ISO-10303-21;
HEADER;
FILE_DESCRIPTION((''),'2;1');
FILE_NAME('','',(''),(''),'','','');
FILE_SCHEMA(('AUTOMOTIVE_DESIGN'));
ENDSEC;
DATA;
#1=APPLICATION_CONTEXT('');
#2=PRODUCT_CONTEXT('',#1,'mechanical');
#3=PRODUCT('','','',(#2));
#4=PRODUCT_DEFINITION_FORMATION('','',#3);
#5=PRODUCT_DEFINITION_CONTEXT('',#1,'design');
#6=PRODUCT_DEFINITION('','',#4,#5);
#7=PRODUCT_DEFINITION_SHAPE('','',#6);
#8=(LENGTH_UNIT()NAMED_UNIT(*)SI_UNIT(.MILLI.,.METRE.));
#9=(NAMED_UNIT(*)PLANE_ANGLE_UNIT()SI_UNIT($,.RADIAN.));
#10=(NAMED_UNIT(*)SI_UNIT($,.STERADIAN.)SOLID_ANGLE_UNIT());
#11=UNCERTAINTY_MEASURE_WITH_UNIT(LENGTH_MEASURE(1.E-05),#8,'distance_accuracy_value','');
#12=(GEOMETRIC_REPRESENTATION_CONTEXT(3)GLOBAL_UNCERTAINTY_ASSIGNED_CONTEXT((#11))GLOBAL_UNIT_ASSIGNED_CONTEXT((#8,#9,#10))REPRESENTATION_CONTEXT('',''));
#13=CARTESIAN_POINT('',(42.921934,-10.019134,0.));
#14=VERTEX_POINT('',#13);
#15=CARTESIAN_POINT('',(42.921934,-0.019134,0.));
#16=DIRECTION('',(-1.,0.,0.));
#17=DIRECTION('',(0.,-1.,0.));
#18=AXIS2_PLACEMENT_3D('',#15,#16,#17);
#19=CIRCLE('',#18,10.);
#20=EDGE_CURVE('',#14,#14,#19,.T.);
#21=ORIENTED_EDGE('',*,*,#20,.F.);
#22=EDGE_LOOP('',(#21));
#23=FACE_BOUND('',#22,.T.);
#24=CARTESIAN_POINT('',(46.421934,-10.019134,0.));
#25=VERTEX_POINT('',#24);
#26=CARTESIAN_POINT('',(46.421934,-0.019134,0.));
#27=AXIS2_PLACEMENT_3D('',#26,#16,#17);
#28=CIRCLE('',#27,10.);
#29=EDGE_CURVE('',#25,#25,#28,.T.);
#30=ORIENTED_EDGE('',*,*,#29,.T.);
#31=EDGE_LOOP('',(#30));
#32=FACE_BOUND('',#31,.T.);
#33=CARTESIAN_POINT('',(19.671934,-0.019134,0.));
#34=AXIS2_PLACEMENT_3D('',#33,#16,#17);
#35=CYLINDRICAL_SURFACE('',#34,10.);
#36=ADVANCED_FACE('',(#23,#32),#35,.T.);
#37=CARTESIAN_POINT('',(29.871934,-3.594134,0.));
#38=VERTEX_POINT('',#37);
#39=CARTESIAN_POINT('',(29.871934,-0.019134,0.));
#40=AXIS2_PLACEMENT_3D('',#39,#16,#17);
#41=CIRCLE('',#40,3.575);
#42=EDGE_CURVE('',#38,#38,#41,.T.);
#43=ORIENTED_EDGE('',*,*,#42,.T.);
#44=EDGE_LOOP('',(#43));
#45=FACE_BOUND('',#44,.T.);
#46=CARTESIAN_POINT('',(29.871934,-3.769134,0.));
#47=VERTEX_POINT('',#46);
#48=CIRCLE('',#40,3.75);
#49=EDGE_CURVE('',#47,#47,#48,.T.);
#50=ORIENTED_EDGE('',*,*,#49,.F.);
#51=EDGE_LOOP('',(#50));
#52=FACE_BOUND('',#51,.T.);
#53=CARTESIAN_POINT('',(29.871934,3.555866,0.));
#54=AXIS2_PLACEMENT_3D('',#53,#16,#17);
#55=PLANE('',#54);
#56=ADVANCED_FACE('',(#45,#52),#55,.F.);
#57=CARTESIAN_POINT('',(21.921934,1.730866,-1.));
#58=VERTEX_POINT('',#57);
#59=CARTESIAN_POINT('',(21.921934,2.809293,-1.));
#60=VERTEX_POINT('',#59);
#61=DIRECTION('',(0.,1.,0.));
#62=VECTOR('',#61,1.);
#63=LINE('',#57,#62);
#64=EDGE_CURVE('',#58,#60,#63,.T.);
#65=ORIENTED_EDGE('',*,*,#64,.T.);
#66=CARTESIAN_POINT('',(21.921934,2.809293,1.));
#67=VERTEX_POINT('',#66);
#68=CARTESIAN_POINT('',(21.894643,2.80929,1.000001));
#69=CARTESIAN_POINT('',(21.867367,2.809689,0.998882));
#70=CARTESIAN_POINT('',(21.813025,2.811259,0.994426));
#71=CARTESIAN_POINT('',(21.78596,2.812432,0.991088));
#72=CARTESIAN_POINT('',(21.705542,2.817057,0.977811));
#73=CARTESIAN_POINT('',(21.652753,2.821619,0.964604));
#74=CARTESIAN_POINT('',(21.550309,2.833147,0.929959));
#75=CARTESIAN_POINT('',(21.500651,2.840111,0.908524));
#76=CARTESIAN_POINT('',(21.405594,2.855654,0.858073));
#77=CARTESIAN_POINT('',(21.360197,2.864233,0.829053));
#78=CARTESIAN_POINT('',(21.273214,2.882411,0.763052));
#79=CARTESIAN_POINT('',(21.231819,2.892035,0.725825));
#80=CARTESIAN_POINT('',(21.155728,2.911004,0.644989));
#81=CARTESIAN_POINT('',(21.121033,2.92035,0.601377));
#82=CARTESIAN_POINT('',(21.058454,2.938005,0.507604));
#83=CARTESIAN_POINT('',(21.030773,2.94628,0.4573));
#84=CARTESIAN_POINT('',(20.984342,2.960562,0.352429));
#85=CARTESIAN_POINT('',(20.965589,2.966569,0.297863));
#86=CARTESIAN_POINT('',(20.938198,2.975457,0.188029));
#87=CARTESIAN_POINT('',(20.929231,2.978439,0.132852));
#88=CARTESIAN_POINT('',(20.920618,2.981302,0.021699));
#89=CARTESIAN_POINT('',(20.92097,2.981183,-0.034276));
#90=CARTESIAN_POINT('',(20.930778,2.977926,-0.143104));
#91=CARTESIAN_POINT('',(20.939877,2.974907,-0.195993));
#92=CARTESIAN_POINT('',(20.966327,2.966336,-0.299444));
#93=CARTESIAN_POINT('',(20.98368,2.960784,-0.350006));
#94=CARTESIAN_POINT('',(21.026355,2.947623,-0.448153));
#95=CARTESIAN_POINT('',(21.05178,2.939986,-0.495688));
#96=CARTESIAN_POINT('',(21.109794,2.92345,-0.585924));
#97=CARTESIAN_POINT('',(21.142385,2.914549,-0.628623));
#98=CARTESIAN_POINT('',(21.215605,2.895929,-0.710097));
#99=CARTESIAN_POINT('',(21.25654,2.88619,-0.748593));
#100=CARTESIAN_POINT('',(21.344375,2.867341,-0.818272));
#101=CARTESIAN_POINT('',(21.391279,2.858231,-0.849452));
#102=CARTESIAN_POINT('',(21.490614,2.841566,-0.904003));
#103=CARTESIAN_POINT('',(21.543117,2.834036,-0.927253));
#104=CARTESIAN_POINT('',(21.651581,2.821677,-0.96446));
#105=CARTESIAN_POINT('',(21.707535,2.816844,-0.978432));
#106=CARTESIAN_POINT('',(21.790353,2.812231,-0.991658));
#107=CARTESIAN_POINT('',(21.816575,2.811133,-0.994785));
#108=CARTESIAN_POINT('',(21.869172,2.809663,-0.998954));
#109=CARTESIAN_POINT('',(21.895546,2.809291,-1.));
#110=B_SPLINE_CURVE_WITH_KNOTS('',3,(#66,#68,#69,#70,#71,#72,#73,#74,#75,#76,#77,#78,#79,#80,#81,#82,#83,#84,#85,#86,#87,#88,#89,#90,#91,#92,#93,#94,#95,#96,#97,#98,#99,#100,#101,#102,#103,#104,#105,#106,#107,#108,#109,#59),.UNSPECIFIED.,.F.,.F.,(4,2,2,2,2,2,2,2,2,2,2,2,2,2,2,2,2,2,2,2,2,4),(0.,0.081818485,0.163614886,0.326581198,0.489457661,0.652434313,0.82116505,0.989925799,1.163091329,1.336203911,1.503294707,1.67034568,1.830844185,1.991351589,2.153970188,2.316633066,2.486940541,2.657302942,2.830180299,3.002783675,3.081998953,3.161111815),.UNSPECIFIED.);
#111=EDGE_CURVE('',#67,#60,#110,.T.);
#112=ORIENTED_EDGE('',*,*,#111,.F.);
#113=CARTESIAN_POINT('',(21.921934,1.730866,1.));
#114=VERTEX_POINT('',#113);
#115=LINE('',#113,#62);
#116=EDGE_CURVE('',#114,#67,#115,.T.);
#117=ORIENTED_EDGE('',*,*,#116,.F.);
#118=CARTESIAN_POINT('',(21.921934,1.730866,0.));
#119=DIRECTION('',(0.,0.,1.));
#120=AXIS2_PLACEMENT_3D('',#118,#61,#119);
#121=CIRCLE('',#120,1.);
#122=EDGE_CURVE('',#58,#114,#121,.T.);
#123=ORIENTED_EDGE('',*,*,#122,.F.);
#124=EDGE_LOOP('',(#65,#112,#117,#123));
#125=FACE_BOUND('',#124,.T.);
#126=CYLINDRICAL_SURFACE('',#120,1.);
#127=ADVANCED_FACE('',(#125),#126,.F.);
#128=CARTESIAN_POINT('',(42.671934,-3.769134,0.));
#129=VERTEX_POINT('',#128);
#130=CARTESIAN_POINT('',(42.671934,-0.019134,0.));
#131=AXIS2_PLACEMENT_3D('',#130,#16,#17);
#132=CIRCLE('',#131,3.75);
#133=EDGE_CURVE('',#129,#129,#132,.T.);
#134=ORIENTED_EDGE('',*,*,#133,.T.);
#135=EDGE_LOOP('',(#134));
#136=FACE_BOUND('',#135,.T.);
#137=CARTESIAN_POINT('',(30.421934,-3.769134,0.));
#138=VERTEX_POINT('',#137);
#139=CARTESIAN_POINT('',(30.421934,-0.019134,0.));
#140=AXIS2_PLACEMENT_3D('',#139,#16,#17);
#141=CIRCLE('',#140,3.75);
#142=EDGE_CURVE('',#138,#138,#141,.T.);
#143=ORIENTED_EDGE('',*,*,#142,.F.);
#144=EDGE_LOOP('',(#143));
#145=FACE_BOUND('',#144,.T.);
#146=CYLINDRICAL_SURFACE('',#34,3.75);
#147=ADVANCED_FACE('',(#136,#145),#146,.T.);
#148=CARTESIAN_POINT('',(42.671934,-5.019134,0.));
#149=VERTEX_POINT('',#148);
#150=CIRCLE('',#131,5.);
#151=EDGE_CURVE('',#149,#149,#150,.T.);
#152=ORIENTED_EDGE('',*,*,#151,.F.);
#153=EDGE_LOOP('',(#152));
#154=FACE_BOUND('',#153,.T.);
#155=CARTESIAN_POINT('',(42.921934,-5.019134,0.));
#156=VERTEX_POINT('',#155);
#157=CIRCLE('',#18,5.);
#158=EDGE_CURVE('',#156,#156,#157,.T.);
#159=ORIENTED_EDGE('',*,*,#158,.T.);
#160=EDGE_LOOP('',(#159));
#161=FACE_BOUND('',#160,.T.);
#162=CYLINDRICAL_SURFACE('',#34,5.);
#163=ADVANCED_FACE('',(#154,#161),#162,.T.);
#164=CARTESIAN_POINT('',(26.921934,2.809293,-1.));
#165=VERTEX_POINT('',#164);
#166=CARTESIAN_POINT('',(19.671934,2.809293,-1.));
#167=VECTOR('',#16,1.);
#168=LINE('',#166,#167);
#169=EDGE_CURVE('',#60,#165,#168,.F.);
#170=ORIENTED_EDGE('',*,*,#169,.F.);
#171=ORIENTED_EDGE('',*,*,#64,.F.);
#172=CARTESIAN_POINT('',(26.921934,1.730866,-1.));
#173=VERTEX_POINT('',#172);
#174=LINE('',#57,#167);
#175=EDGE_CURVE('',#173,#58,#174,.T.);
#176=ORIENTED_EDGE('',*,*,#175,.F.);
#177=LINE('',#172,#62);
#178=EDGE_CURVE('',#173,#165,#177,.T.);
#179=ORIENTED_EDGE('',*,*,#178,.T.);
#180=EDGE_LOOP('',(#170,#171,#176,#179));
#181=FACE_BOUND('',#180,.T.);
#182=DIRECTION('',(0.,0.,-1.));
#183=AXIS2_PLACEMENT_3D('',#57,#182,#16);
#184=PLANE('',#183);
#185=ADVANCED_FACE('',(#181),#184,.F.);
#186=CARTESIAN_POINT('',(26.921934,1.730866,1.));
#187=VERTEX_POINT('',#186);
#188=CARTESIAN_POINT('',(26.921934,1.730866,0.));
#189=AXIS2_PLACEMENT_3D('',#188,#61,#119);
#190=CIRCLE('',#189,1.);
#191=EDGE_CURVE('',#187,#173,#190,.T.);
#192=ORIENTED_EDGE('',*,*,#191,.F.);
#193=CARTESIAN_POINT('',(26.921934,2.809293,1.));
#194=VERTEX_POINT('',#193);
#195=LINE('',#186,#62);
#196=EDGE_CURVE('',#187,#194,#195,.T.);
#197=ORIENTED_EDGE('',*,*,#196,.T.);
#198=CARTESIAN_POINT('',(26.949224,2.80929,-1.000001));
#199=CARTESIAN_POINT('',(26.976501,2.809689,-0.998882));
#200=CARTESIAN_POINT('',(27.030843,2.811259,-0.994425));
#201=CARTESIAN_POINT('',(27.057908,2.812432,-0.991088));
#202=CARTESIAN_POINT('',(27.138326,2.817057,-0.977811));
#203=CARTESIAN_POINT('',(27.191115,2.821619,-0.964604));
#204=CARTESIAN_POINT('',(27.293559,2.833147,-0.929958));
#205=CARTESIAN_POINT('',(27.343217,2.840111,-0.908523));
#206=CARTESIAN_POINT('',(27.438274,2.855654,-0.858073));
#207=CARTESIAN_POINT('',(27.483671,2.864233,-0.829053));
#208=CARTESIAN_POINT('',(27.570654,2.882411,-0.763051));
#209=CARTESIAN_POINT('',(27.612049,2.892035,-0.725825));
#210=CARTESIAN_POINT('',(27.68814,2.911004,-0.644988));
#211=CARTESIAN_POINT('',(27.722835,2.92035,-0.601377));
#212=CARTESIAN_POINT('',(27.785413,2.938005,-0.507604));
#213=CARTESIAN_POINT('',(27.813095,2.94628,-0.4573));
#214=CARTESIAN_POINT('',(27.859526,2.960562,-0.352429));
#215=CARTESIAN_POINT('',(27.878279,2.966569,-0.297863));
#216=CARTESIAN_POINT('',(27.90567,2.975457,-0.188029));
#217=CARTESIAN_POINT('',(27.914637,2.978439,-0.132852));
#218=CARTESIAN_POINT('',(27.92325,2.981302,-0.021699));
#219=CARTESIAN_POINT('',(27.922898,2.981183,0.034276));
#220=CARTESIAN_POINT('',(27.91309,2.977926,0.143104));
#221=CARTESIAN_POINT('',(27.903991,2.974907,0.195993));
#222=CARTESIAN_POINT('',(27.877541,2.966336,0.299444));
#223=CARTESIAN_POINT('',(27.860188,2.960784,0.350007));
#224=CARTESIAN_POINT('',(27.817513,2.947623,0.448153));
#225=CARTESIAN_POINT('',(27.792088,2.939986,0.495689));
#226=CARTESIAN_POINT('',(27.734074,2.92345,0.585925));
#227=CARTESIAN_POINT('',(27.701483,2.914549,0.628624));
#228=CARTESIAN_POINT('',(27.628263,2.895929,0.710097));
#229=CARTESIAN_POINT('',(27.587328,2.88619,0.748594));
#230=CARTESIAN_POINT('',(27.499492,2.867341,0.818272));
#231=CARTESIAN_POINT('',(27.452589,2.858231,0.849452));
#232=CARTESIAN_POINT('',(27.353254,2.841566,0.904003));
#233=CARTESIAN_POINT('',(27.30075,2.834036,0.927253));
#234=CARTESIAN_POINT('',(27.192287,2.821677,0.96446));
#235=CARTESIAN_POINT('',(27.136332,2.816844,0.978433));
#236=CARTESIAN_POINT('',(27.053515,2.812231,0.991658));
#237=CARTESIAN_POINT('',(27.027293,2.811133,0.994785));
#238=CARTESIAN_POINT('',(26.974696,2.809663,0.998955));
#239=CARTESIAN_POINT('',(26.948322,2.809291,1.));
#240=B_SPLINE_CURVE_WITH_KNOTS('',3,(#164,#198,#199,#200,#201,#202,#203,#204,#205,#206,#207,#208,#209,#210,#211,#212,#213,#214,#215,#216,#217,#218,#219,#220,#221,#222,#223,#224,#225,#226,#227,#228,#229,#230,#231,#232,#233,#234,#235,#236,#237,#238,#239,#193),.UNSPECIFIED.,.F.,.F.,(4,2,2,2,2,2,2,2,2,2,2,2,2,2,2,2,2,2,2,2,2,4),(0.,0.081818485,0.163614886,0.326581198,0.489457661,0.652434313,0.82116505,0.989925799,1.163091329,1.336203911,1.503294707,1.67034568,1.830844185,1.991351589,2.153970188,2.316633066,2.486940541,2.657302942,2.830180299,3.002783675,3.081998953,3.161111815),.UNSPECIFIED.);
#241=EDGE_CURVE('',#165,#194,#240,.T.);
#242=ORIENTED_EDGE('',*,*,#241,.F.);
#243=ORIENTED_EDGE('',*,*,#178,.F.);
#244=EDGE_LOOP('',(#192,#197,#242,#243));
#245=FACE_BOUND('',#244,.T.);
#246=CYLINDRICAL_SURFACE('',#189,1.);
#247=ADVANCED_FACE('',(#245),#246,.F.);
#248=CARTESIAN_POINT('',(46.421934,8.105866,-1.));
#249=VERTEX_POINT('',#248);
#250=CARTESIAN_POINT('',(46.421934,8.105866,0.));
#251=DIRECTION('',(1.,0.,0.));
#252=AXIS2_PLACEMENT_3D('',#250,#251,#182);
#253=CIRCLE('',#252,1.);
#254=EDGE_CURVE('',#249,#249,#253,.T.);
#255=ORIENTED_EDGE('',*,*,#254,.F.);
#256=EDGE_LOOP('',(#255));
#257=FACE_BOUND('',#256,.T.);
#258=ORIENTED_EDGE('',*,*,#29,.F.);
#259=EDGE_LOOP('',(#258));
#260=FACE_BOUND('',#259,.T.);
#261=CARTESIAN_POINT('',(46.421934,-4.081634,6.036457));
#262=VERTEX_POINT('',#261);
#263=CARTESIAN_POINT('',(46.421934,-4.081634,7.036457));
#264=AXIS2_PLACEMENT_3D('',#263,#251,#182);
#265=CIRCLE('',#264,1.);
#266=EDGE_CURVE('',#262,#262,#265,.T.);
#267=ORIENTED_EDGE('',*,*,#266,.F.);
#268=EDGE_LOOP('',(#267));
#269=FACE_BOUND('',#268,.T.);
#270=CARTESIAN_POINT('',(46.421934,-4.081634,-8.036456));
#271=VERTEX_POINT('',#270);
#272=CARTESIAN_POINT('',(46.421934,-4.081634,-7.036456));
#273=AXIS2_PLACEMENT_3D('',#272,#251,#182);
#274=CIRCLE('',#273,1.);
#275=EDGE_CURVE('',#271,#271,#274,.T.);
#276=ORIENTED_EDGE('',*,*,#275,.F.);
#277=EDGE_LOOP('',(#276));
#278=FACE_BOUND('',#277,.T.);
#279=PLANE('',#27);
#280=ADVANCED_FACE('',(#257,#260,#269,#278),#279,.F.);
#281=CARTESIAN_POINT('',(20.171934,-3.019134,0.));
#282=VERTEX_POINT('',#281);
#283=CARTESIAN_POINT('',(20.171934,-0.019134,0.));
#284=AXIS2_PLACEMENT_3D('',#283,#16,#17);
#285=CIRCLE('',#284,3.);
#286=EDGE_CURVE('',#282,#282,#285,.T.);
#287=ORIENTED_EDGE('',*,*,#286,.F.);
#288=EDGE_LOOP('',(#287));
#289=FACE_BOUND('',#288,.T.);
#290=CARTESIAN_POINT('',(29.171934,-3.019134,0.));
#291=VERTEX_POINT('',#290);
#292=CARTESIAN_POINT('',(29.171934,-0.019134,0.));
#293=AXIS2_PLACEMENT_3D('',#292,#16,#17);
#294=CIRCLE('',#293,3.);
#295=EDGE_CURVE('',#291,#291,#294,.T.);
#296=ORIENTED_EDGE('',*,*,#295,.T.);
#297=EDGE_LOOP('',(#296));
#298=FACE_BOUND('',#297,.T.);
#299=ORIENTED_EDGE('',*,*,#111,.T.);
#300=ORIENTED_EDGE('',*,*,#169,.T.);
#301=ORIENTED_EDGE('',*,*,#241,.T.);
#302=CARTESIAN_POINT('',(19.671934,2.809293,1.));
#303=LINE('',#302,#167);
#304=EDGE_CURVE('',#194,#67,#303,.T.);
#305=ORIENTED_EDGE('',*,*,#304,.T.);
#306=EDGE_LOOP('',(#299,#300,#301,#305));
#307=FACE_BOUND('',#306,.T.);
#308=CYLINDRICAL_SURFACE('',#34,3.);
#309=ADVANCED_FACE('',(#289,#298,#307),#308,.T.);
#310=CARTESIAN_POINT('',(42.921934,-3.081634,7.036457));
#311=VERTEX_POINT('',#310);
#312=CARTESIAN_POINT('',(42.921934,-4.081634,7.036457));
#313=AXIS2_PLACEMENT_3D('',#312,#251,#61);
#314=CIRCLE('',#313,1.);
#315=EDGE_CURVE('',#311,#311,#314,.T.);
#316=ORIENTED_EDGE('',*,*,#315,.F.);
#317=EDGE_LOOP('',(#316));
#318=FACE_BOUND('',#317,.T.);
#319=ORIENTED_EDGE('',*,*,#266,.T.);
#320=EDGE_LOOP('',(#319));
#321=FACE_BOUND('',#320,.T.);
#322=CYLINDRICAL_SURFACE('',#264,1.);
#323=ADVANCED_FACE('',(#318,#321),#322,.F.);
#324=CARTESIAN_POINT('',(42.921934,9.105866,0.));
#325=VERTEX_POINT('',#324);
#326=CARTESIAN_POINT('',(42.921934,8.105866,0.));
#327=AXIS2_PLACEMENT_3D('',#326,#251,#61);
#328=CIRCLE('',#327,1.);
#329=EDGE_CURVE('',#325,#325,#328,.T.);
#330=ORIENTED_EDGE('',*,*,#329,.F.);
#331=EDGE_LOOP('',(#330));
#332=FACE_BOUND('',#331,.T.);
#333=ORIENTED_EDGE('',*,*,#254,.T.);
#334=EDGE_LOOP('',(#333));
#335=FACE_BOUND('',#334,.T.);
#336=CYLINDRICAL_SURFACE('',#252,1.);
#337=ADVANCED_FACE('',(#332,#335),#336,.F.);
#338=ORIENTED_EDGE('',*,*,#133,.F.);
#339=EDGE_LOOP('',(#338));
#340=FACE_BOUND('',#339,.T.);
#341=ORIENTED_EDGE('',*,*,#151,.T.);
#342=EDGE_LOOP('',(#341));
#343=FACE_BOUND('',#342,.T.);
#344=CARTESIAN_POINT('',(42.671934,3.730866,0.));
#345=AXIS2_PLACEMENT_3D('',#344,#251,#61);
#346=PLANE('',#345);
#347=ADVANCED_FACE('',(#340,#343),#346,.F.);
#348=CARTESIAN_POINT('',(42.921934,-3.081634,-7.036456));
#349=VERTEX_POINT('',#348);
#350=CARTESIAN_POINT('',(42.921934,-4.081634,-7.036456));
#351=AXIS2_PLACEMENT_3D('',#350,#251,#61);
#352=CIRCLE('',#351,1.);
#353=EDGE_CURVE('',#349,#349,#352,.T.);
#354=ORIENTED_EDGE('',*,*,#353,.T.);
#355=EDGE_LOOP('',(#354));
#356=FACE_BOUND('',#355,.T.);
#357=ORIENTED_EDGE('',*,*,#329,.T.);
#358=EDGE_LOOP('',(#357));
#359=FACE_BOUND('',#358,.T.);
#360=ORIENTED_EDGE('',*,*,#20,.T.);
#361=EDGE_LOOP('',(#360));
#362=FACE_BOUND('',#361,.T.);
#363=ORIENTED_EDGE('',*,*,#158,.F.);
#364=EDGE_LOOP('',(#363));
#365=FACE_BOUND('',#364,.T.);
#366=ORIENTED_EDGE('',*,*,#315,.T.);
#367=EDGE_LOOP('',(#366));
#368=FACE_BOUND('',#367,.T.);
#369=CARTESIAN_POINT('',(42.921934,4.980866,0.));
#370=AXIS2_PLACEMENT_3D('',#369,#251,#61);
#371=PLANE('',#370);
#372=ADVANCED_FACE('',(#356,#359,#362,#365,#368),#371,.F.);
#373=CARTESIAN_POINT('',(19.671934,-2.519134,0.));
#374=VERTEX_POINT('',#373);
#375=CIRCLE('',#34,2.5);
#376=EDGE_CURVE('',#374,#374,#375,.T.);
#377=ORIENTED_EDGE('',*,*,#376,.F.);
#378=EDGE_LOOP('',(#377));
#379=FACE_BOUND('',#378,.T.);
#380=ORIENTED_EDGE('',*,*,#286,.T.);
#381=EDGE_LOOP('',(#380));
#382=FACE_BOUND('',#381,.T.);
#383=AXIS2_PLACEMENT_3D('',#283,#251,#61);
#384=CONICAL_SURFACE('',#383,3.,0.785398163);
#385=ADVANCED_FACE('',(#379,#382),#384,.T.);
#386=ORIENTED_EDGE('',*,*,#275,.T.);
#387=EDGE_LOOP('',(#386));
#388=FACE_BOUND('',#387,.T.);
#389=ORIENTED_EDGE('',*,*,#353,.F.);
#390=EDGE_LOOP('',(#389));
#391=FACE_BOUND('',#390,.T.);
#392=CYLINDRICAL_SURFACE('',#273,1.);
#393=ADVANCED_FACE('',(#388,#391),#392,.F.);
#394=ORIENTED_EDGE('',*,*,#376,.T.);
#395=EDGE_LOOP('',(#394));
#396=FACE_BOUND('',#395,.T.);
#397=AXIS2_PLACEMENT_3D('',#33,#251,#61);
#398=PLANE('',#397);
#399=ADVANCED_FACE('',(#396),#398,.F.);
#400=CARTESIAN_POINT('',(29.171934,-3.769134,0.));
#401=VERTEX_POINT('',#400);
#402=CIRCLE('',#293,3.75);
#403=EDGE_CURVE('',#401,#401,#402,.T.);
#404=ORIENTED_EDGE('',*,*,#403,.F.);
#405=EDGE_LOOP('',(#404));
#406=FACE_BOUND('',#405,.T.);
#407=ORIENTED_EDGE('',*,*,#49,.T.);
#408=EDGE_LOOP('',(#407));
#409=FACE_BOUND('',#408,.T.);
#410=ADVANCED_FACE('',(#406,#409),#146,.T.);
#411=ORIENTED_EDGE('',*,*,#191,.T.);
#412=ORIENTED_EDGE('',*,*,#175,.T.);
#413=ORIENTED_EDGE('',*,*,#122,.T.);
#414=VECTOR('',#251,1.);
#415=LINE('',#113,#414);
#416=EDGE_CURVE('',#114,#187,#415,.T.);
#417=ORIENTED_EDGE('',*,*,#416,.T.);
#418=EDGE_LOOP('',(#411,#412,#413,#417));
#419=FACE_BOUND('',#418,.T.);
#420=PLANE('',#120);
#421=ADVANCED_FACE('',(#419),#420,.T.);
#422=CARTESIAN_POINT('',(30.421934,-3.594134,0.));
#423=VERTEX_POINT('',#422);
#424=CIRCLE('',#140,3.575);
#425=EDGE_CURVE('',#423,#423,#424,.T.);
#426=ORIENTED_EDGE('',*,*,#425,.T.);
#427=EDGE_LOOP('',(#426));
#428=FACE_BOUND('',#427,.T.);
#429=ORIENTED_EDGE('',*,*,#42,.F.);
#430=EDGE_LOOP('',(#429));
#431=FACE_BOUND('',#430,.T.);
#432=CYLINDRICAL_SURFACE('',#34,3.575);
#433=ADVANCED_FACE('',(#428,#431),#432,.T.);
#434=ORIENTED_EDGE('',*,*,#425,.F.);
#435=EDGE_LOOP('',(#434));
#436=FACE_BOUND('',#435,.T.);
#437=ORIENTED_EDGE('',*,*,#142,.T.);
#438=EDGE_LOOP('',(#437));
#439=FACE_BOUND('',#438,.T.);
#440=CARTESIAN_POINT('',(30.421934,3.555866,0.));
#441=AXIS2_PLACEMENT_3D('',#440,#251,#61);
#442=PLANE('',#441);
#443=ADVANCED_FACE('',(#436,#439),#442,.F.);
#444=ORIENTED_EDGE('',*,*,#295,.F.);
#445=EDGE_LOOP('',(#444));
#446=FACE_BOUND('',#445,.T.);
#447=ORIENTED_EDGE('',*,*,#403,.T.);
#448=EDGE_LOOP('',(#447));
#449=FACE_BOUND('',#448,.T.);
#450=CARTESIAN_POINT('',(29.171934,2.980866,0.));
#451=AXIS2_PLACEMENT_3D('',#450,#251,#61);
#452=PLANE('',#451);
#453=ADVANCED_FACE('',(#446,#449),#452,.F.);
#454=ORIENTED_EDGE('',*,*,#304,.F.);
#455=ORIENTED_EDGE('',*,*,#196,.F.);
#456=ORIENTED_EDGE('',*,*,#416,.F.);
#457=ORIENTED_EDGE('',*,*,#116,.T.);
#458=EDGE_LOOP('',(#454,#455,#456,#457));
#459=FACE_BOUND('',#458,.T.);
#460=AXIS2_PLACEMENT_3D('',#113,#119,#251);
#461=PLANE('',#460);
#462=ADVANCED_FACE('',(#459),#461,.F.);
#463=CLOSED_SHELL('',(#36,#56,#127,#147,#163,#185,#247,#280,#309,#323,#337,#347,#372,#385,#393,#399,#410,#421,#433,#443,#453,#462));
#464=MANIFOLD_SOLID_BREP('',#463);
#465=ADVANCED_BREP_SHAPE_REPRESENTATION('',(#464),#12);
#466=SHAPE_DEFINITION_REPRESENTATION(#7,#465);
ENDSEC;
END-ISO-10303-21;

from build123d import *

# Parameters (mm, degrees)
CIRPATTERN1_COUNT  = 3
CUT_EXTRUDE1_START = 6
CUT_EXTRUDE1_DEPTH = 2.5
ECHELLE1_SCALE     = 2
ECHELLE2_SCALE     = 0.25


with BuildPart() as part:
    # Sketch1 → Revolve3 (revolve)
    with BuildSketch(Plane.XY):
        Polygon((0, 0), (0, 5), (1, 6), (19, 6), (19, 7.5), (20.4, 7.5), (20.4, 7.15), (21.5, 7.15), (21.5, 7.5), (46, 7.5), (46, 10), (46.5, 10), (46.5, 20), (53.5, 20), (53.5, 0), align=None)
    revolve(axis=Axis((0, 0, 0), (1, 0, 0)))

    # Sketch3 → Ø4.0 (4) Diameter Hole1 (revolve, cut)
    with BuildSketch(Plane(origin=(53.5, 16.25, 0), x_dir=(0, 0, -1), z_dir=(0, 1, 0))):
        Polygon((0, 0), (0, 13.201721238), (2, 12), (2, 0), align=None)
    f_4_0_4_diameter_hole1 = revolve(axis=Axis((59.85, 16.25, 0), (-1, 0, 0)), mode=Mode.SUBTRACT)

    # CirPattern1: Ø4.0 (4) Diameter Hole1 ×3 about axis
    cirpattern1_axis = Axis((53.5, 0, 0), (-1, 0, 0))
    for i in range(1, CIRPATTERN1_COUNT):
        add(f_4_0_4_diameter_hole1.rotate(cirpattern1_axis, i * 360 / CIRPATTERN1_COUNT), mode=Mode.SUBTRACT)

    # Sketch6 → Cut-Extrude1 (cut)
    with BuildSketch(Plane(origin=(0, 0, 0), x_dir=(1, 0, 0), z_dir=(0, 1, 0)).offset(CUT_EXTRUDE1_START)):
        with BuildLine():
            Line((4.5, -2), (14.5, -2))
            ThreePointArc((14.5, -2), (16.5, 0), (14.5, 2))
            Line((14.5, 2), (4.5, 2))
            ThreePointArc((4.5, 2), (2.5, 0), (4.5, -2))
        make_face()
    extrude(amount=-CUT_EXTRUDE1_DEPTH, mode=Mode.SUBTRACT)


with BuildPart() as part_1:
    # Echelle1: scaled about (39.34389117, -0.038274574, 5e-09)
    add(part.part.scale(ECHELLE1_SCALE).moved(Location((-39.34389117, 0.038274574, -5e-09))))


with BuildPart() as part_2:
    # Echelle2: scaled about (39.343891171, -0.038274573, 4e-09)
    add(part_1.part.scale(ECHELLE2_SCALE).moved(Location((29.507918378, -0.02870593, 3e-09))))


solid = part_2.part
